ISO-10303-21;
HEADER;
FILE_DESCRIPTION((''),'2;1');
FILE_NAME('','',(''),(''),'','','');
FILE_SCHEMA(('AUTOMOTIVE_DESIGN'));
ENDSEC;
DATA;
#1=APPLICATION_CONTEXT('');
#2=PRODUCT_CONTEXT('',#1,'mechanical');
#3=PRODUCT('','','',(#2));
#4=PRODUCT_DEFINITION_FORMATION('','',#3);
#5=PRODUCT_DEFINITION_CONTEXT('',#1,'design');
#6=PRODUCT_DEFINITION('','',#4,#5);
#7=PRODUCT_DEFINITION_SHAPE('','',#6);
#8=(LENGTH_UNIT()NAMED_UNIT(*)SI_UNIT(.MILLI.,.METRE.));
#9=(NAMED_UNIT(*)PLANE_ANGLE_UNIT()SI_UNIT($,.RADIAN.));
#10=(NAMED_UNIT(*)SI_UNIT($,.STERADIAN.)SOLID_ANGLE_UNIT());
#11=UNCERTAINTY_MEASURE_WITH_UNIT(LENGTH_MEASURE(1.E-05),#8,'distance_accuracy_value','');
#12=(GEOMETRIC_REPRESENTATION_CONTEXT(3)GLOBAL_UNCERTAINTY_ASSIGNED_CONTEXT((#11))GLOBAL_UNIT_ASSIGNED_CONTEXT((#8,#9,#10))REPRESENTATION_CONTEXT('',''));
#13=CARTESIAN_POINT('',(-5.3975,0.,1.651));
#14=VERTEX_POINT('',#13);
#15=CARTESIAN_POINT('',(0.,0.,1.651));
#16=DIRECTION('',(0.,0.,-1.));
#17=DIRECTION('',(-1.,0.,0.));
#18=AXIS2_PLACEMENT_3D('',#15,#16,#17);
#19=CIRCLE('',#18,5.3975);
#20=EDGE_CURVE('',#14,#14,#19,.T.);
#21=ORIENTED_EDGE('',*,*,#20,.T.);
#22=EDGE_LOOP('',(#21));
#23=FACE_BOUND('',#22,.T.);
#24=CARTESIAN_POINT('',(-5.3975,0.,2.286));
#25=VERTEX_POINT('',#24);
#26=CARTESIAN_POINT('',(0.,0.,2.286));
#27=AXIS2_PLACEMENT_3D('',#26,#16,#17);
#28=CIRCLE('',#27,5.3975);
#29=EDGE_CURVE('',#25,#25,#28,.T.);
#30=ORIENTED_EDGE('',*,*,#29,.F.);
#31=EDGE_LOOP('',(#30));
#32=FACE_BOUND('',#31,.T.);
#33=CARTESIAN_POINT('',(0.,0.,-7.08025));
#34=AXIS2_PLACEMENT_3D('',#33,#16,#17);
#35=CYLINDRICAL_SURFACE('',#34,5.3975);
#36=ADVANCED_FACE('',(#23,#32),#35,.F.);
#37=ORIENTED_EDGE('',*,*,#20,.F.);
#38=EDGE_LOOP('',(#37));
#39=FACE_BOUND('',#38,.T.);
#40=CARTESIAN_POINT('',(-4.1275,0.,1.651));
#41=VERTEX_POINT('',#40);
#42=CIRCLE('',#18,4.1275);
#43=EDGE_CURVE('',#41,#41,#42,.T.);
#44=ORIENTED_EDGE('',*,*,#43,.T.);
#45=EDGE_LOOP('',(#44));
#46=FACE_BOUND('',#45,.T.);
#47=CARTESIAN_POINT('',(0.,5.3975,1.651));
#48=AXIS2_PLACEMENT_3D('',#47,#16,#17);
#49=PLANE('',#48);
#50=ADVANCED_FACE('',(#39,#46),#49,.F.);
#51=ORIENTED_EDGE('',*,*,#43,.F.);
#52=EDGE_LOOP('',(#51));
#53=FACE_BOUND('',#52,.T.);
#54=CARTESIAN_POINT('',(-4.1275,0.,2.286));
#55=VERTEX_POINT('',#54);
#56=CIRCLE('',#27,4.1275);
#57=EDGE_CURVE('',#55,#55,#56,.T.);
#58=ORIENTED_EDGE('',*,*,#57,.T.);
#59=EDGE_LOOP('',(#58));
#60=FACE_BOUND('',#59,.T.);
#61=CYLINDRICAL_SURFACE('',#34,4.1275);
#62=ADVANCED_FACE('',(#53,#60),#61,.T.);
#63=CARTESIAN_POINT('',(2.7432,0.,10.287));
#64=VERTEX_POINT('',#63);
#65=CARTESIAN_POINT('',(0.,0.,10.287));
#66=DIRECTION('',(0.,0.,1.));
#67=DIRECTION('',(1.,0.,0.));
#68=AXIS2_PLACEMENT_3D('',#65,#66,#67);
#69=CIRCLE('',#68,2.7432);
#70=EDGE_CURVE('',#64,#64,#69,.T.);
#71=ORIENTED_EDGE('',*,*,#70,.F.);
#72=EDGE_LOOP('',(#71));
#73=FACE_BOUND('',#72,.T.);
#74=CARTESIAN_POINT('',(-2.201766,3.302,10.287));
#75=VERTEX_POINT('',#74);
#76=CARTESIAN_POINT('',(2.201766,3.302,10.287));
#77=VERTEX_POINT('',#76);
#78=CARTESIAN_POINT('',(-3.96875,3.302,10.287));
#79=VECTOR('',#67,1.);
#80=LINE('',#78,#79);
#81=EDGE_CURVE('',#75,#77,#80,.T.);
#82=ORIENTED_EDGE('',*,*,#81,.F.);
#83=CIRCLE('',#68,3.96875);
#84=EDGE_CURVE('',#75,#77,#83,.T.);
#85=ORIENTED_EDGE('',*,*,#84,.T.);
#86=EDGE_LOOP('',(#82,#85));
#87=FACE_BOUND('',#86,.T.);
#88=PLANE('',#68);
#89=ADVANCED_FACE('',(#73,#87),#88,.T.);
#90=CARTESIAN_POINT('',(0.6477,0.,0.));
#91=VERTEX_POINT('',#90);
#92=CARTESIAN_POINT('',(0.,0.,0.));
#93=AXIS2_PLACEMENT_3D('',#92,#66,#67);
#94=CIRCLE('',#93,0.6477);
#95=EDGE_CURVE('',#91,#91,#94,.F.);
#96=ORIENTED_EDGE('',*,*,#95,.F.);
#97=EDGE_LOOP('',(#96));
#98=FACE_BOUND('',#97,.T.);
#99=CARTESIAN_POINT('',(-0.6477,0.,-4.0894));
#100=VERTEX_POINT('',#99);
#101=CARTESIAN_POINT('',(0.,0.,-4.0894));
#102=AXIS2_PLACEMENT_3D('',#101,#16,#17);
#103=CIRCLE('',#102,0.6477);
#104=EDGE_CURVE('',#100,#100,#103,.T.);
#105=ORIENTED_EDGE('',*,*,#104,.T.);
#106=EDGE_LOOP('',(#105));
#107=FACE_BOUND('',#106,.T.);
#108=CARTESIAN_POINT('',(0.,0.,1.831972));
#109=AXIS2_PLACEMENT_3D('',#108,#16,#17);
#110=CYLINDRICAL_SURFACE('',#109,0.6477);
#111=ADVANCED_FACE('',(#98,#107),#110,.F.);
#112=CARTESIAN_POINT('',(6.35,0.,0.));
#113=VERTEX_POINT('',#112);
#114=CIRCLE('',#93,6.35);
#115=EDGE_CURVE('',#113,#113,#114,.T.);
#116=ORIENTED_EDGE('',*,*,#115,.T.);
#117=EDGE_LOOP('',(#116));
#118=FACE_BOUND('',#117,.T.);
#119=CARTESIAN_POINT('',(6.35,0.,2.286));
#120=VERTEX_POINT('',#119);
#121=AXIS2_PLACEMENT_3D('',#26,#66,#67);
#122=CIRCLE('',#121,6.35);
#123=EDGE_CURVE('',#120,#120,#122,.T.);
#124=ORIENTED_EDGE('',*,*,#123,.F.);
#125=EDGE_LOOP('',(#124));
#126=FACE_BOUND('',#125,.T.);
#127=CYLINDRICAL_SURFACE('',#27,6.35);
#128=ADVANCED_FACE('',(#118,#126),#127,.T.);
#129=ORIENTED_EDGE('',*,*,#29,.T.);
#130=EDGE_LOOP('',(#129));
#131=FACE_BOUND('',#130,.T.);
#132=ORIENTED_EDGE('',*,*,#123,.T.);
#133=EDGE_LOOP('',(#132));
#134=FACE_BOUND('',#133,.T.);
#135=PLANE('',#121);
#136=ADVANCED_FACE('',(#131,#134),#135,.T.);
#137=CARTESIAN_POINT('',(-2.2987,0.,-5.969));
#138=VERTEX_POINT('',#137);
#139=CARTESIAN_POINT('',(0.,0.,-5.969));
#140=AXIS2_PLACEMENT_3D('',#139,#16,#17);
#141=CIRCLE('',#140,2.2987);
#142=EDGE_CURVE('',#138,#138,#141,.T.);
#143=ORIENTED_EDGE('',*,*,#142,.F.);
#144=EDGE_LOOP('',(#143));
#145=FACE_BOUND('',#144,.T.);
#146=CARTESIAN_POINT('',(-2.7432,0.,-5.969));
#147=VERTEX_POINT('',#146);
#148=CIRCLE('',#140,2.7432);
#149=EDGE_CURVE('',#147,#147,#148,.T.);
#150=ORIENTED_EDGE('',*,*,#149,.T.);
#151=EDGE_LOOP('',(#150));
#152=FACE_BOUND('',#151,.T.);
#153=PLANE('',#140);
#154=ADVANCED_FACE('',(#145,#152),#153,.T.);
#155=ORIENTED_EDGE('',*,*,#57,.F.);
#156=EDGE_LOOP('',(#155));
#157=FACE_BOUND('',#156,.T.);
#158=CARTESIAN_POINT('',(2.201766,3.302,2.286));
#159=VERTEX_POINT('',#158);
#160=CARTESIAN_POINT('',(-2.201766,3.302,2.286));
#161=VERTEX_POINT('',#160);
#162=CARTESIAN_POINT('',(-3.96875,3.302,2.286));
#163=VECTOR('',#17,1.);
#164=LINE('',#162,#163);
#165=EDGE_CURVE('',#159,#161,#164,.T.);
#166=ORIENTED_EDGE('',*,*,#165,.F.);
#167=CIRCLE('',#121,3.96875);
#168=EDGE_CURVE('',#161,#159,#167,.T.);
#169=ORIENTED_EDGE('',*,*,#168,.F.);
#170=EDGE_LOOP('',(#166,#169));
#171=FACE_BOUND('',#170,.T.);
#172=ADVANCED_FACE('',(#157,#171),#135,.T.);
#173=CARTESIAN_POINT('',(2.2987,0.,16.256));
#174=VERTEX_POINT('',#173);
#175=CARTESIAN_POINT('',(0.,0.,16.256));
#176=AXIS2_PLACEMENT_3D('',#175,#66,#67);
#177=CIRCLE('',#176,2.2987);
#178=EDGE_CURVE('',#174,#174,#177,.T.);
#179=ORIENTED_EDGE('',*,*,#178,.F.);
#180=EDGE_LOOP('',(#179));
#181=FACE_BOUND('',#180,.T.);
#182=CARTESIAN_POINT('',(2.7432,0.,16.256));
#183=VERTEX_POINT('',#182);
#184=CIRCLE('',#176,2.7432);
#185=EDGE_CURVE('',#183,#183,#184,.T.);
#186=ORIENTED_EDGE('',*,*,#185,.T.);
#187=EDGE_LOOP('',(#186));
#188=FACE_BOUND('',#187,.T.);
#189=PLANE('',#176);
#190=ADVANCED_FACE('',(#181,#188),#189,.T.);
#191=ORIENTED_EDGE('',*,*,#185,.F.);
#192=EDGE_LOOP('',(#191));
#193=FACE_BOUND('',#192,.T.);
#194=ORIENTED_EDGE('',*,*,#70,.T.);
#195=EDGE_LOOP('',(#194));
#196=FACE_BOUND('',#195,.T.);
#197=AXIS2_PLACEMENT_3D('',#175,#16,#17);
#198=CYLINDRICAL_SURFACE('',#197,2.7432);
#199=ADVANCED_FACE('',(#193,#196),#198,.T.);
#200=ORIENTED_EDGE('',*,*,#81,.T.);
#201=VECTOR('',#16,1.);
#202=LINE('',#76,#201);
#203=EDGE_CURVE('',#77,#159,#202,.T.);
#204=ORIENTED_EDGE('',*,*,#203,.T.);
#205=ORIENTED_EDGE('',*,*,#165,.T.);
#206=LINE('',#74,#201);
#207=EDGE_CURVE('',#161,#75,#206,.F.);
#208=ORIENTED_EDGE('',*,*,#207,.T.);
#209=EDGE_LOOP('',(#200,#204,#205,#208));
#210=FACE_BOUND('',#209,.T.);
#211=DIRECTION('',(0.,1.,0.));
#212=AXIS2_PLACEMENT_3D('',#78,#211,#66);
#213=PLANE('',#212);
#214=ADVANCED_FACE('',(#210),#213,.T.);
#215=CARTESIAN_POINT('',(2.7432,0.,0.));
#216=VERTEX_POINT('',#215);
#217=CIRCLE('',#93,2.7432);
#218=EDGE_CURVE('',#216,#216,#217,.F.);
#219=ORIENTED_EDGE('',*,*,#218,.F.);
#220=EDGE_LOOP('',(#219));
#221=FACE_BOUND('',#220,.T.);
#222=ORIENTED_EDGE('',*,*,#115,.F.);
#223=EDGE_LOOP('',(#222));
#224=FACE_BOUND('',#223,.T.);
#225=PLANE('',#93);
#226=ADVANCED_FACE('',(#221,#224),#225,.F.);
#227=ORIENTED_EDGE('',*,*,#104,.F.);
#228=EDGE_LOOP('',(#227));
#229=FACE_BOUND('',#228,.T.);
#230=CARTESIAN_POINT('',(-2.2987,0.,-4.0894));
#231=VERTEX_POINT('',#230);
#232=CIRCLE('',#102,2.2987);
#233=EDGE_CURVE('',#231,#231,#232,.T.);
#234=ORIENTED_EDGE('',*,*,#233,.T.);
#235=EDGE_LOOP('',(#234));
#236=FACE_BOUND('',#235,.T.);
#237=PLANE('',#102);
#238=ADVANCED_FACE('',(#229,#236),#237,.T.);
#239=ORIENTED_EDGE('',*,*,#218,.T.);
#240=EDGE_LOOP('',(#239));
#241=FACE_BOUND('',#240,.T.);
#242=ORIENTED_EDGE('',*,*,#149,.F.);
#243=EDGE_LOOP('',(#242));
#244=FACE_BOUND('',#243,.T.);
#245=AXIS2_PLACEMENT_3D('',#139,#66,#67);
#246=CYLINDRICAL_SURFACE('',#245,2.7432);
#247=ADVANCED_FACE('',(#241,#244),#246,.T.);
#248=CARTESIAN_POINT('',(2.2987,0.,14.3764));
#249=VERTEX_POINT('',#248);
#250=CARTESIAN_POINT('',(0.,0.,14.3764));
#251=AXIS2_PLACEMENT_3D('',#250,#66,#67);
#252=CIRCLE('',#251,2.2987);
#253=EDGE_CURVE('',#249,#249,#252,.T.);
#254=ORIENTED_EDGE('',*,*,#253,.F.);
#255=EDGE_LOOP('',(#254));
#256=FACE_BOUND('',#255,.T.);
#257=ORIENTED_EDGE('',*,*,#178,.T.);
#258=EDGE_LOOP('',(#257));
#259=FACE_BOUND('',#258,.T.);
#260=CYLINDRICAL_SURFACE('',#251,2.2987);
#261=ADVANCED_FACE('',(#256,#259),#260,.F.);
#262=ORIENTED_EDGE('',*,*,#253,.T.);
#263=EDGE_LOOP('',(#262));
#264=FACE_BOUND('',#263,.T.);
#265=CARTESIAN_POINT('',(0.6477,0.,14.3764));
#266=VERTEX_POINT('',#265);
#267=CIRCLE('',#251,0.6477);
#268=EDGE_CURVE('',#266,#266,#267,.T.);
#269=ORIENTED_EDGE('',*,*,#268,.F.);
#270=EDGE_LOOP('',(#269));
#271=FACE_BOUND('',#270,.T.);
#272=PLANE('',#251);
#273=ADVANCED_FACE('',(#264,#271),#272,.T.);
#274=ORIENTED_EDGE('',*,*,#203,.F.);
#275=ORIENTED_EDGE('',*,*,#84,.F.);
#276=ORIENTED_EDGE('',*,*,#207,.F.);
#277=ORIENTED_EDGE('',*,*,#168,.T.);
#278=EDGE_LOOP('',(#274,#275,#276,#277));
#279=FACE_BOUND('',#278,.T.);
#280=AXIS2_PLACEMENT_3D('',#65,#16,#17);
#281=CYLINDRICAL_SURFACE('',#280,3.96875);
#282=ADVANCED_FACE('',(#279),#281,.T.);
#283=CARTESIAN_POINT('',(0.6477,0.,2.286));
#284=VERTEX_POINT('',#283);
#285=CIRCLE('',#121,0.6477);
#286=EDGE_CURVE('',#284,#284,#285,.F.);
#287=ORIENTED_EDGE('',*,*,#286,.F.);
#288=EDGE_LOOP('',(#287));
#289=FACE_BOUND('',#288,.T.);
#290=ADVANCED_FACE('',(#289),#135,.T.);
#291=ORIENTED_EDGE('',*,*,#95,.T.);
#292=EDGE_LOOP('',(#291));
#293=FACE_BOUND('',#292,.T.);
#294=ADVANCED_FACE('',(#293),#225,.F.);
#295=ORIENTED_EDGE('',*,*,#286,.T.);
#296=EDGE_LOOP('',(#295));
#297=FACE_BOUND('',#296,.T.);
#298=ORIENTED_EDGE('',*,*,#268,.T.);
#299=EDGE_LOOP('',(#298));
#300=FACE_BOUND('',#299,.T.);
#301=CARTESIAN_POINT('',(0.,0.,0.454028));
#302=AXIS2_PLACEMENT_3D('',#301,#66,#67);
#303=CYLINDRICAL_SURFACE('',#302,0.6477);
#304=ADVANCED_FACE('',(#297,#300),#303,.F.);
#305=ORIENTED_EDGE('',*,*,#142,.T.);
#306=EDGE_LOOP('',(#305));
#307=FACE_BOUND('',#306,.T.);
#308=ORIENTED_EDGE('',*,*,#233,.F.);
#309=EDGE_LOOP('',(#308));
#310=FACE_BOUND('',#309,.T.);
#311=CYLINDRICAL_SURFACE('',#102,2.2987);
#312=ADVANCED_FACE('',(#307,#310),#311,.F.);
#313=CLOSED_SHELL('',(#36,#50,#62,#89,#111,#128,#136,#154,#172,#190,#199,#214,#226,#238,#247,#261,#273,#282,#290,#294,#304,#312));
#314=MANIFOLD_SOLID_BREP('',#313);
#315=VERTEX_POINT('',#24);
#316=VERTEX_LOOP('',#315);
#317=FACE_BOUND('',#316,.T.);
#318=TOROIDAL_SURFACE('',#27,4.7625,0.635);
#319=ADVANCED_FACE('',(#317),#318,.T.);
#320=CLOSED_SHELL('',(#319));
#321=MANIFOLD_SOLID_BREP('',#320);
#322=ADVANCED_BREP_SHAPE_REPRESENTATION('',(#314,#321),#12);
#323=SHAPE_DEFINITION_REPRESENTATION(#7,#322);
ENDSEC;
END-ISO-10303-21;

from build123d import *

# Parameters (mm, degrees)
SKETCH1_R          = 6.35
EXTRUDE1_DEPTH     = 2.286
SKETCH2_R          = 2.7432
EXTRUDE2_DEPTH     = 5.969
SKETCH3_R          = 2.2987
CUT_EXTRUDE1_DEPTH = 1.8796
SKETCH4_R          = 0.6477
CUT_EXTRUDE2_DEPTH = 4.0894
SKETCH5_R          = 3.96875
EXTRUDE3_DEPTH     = 8.001
EXTRUDE4_START     = 5.969
SKETCH6_R          = 2.7432
EXTRUDE4_DEPTH     = 5.969
CUT_EXTRUDE3_START = -1.8796
SKETCH7_R          = 2.2987
CUT_EXTRUDE3_DEPTH = 1.8796
CUT_EXTRUDE4_START = -12.0904
SKETCH8_R          = 0.6477
CUT_EXTRUDE4_DEPTH = 12.0904
SKETCH9_W          = 0.635
SKETCH9_H          = 1.27
SKETCH12_W         = 7.9375
SKETCH12_H         = 8.001
CUT_EXTRUDE5_DEPTH = 20.943448548
SKETCH10_R         = 0.635


with BuildPart() as part:
    # Sketch1 → Extrude1 (new body)
    with BuildSketch(Plane.XY):
        Circle(SKETCH1_R)
    extrude(amount=EXTRUDE1_DEPTH)

    # Sketch2 → Extrude2 (add)
    with BuildSketch(Plane(origin=(0, 0, 0), x_dir=(-1, 0, 0), z_dir=(0, 0, -1))):
        with Locations(Location((0, 0, 0), (0, 0, 180))):
            Circle(SKETCH2_R)
    extrude(amount=EXTRUDE2_DEPTH)

    # Sketch3 → Cut-Extrude1 (cut)
    with BuildSketch(Plane(origin=(0, 0, -5.969), x_dir=(-1, 0, 0), z_dir=(0, 0, -1))):
        Circle(SKETCH3_R)
    extrude(amount=-CUT_EXTRUDE1_DEPTH, mode=Mode.SUBTRACT)

    # Sketch4 → Cut-Extrude2 (cut)
    with BuildSketch(Plane(origin=(0, 0, -4.0894), x_dir=(-1, 0, 0), z_dir=(0, 0, -1))):
        Circle(SKETCH4_R)
    extrude(amount=-CUT_EXTRUDE2_DEPTH, mode=Mode.SUBTRACT)

    # Sketch5 → Extrude3 (add)
    with BuildSketch(Plane.XY.offset(2.286)):
        Circle(SKETCH5_R)
    extrude(amount=EXTRUDE3_DEPTH)

    # Sketch6 → Extrude4 (add)
    with BuildSketch(Plane.XY.offset(10.287).offset(EXTRUDE4_START)):
        Circle(SKETCH6_R)
    extrude(amount=-EXTRUDE4_DEPTH)

    # Sketch7 → Cut-Extrude3 (cut)
    with BuildSketch(Plane.XY.offset(16.256).offset(CUT_EXTRUDE3_START)):
        with Locations(Location((0, 0, 0), (0, 0, 180))):
            Circle(SKETCH7_R)
    extrude(amount=CUT_EXTRUDE3_DEPTH, mode=Mode.SUBTRACT)

    # Sketch8 → Cut-Extrude4 (cut)
    with BuildSketch(Plane.XY.offset(14.3764).offset(CUT_EXTRUDE4_START)):
        with Locations(Location((0, 0, 0), (0, 0, 180))):
            Circle(SKETCH8_R)
    extrude(amount=CUT_EXTRUDE4_DEPTH, mode=Mode.SUBTRACT)

    # Sketch9 → Cut-Revolve1 (revolve, cut)
    with BuildSketch(Plane(origin=(0, 0, 0), x_dir=(0, 0, -1), z_dir=(1, 0, 0)), mode=Mode.PRIVATE) as cut_revolve1_sk:
        with Locations((-1.9685, 4.7625)):
            Rectangle(SKETCH9_W, SKETCH9_H)
    revolve(cut_revolve1_sk.sketch.rotate(Axis((0, 0, -7.08025), (0, 0, 1)), 270), axis=Axis((0, 0, -7.08025), (0, 0, 1)), mode=Mode.SUBTRACT)

    # Sketch12 → Cut-Extrude5 (cut, through all)
    with BuildSketch(Plane(origin=(0, 3.302, 0), x_dir=(-1, 0, 0), z_dir=(0, 1, 0))):
        with Locations((0, 6.2865)):
            Rectangle(SKETCH12_W, SKETCH12_H)
    extrude(amount=CUT_EXTRUDE5_DEPTH, mode=Mode.SUBTRACT)


with BuildPart() as body_2:
    # Sketch10 → Revolve1 (revolve)
    with BuildSketch(Plane(origin=(0, 0, 0), x_dir=(0, 0, -1), z_dir=(1, 0, 0)), mode=Mode.PRIVATE) as revolve1_sk:
        with Locations((-2.286, 4.7625)):
            Circle(SKETCH10_R)
    revolve(revolve1_sk.sketch.rotate(Axis((0, 0, -7.08025), (0, 0, 1)), 90), axis=Axis((0, 0, -7.08025), (0, 0, 1)))


solid = Compound([part.part, body_2.part])
